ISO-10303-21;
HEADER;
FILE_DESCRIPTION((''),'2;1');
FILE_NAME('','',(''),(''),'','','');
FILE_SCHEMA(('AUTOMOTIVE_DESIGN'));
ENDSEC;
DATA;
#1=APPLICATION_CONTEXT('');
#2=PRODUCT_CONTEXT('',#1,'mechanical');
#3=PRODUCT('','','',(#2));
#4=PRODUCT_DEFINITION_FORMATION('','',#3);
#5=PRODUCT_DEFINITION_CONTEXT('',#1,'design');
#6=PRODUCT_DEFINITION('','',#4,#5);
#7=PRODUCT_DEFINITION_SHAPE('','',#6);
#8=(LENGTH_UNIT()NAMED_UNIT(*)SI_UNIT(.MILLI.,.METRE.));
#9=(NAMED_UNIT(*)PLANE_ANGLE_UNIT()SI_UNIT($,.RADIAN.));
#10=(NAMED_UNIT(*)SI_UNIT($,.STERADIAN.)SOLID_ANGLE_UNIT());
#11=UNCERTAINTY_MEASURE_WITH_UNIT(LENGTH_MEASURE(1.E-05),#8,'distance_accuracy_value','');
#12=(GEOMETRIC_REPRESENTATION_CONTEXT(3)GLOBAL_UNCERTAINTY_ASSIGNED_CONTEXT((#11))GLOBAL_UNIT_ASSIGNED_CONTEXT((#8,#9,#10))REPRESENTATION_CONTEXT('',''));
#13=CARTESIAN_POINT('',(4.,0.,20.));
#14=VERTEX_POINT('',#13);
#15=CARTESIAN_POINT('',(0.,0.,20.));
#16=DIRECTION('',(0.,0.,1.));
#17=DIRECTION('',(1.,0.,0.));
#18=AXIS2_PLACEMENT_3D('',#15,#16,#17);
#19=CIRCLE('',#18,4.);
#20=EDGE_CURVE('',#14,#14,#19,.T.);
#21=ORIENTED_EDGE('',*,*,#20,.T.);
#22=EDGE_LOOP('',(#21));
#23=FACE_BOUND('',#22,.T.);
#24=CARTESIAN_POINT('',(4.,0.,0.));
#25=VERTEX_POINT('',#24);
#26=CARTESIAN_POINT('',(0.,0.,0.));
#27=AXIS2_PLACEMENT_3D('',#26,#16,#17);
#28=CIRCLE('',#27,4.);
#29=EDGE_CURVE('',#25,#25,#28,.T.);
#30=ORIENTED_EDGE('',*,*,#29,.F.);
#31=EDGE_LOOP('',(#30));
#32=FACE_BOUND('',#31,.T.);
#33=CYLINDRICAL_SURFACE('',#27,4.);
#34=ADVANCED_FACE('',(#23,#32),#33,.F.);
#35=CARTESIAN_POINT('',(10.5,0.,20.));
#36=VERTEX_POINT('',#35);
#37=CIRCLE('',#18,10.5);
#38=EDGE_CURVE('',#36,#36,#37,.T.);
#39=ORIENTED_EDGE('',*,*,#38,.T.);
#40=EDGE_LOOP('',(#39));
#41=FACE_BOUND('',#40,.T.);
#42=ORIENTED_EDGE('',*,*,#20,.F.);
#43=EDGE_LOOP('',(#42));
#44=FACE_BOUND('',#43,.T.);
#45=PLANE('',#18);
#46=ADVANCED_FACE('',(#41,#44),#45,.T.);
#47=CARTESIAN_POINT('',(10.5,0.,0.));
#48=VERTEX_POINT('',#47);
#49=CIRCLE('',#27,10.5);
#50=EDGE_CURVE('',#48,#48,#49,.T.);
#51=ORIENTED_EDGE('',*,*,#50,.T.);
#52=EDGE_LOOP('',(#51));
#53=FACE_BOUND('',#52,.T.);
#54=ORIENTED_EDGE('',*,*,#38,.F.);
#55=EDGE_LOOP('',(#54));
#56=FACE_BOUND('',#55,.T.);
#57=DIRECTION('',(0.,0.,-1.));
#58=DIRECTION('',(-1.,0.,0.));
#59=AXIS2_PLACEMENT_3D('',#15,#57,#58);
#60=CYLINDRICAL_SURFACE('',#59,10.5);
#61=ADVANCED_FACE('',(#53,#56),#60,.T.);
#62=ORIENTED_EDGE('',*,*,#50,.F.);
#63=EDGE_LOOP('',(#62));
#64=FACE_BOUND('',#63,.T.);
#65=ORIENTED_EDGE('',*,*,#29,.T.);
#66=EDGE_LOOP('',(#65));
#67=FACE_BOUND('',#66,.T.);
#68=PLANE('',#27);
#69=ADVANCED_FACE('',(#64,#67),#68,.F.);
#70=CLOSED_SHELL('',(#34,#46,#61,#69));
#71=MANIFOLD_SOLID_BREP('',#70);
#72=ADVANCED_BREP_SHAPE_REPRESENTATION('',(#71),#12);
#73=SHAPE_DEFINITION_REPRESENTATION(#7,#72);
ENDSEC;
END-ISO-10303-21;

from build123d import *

# Parameters (mm, degrees)
SKETCH_1_R          = 10.5
EXTRUDE_1_DEPTH     = 20
SKETCH_2_R          = 4
CUT_EXTRUDE_1_DEPTH = 20


with BuildPart() as part:
    # Эскиз1 → Бобышка-Вытянуть1 (new body)
    with BuildSketch(Plane.XY):
        Circle(SKETCH_1_R)
    extrude(amount=EXTRUDE_1_DEPTH)

    # Эскиз2 → Вырез-Вытянуть1 (cut)
    with BuildSketch(Plane.XY.offset(20)):
        Circle(SKETCH_2_R)
    extrude(amount=-CUT_EXTRUDE_1_DEPTH, mode=Mode.SUBTRACT)


solid = part.part
